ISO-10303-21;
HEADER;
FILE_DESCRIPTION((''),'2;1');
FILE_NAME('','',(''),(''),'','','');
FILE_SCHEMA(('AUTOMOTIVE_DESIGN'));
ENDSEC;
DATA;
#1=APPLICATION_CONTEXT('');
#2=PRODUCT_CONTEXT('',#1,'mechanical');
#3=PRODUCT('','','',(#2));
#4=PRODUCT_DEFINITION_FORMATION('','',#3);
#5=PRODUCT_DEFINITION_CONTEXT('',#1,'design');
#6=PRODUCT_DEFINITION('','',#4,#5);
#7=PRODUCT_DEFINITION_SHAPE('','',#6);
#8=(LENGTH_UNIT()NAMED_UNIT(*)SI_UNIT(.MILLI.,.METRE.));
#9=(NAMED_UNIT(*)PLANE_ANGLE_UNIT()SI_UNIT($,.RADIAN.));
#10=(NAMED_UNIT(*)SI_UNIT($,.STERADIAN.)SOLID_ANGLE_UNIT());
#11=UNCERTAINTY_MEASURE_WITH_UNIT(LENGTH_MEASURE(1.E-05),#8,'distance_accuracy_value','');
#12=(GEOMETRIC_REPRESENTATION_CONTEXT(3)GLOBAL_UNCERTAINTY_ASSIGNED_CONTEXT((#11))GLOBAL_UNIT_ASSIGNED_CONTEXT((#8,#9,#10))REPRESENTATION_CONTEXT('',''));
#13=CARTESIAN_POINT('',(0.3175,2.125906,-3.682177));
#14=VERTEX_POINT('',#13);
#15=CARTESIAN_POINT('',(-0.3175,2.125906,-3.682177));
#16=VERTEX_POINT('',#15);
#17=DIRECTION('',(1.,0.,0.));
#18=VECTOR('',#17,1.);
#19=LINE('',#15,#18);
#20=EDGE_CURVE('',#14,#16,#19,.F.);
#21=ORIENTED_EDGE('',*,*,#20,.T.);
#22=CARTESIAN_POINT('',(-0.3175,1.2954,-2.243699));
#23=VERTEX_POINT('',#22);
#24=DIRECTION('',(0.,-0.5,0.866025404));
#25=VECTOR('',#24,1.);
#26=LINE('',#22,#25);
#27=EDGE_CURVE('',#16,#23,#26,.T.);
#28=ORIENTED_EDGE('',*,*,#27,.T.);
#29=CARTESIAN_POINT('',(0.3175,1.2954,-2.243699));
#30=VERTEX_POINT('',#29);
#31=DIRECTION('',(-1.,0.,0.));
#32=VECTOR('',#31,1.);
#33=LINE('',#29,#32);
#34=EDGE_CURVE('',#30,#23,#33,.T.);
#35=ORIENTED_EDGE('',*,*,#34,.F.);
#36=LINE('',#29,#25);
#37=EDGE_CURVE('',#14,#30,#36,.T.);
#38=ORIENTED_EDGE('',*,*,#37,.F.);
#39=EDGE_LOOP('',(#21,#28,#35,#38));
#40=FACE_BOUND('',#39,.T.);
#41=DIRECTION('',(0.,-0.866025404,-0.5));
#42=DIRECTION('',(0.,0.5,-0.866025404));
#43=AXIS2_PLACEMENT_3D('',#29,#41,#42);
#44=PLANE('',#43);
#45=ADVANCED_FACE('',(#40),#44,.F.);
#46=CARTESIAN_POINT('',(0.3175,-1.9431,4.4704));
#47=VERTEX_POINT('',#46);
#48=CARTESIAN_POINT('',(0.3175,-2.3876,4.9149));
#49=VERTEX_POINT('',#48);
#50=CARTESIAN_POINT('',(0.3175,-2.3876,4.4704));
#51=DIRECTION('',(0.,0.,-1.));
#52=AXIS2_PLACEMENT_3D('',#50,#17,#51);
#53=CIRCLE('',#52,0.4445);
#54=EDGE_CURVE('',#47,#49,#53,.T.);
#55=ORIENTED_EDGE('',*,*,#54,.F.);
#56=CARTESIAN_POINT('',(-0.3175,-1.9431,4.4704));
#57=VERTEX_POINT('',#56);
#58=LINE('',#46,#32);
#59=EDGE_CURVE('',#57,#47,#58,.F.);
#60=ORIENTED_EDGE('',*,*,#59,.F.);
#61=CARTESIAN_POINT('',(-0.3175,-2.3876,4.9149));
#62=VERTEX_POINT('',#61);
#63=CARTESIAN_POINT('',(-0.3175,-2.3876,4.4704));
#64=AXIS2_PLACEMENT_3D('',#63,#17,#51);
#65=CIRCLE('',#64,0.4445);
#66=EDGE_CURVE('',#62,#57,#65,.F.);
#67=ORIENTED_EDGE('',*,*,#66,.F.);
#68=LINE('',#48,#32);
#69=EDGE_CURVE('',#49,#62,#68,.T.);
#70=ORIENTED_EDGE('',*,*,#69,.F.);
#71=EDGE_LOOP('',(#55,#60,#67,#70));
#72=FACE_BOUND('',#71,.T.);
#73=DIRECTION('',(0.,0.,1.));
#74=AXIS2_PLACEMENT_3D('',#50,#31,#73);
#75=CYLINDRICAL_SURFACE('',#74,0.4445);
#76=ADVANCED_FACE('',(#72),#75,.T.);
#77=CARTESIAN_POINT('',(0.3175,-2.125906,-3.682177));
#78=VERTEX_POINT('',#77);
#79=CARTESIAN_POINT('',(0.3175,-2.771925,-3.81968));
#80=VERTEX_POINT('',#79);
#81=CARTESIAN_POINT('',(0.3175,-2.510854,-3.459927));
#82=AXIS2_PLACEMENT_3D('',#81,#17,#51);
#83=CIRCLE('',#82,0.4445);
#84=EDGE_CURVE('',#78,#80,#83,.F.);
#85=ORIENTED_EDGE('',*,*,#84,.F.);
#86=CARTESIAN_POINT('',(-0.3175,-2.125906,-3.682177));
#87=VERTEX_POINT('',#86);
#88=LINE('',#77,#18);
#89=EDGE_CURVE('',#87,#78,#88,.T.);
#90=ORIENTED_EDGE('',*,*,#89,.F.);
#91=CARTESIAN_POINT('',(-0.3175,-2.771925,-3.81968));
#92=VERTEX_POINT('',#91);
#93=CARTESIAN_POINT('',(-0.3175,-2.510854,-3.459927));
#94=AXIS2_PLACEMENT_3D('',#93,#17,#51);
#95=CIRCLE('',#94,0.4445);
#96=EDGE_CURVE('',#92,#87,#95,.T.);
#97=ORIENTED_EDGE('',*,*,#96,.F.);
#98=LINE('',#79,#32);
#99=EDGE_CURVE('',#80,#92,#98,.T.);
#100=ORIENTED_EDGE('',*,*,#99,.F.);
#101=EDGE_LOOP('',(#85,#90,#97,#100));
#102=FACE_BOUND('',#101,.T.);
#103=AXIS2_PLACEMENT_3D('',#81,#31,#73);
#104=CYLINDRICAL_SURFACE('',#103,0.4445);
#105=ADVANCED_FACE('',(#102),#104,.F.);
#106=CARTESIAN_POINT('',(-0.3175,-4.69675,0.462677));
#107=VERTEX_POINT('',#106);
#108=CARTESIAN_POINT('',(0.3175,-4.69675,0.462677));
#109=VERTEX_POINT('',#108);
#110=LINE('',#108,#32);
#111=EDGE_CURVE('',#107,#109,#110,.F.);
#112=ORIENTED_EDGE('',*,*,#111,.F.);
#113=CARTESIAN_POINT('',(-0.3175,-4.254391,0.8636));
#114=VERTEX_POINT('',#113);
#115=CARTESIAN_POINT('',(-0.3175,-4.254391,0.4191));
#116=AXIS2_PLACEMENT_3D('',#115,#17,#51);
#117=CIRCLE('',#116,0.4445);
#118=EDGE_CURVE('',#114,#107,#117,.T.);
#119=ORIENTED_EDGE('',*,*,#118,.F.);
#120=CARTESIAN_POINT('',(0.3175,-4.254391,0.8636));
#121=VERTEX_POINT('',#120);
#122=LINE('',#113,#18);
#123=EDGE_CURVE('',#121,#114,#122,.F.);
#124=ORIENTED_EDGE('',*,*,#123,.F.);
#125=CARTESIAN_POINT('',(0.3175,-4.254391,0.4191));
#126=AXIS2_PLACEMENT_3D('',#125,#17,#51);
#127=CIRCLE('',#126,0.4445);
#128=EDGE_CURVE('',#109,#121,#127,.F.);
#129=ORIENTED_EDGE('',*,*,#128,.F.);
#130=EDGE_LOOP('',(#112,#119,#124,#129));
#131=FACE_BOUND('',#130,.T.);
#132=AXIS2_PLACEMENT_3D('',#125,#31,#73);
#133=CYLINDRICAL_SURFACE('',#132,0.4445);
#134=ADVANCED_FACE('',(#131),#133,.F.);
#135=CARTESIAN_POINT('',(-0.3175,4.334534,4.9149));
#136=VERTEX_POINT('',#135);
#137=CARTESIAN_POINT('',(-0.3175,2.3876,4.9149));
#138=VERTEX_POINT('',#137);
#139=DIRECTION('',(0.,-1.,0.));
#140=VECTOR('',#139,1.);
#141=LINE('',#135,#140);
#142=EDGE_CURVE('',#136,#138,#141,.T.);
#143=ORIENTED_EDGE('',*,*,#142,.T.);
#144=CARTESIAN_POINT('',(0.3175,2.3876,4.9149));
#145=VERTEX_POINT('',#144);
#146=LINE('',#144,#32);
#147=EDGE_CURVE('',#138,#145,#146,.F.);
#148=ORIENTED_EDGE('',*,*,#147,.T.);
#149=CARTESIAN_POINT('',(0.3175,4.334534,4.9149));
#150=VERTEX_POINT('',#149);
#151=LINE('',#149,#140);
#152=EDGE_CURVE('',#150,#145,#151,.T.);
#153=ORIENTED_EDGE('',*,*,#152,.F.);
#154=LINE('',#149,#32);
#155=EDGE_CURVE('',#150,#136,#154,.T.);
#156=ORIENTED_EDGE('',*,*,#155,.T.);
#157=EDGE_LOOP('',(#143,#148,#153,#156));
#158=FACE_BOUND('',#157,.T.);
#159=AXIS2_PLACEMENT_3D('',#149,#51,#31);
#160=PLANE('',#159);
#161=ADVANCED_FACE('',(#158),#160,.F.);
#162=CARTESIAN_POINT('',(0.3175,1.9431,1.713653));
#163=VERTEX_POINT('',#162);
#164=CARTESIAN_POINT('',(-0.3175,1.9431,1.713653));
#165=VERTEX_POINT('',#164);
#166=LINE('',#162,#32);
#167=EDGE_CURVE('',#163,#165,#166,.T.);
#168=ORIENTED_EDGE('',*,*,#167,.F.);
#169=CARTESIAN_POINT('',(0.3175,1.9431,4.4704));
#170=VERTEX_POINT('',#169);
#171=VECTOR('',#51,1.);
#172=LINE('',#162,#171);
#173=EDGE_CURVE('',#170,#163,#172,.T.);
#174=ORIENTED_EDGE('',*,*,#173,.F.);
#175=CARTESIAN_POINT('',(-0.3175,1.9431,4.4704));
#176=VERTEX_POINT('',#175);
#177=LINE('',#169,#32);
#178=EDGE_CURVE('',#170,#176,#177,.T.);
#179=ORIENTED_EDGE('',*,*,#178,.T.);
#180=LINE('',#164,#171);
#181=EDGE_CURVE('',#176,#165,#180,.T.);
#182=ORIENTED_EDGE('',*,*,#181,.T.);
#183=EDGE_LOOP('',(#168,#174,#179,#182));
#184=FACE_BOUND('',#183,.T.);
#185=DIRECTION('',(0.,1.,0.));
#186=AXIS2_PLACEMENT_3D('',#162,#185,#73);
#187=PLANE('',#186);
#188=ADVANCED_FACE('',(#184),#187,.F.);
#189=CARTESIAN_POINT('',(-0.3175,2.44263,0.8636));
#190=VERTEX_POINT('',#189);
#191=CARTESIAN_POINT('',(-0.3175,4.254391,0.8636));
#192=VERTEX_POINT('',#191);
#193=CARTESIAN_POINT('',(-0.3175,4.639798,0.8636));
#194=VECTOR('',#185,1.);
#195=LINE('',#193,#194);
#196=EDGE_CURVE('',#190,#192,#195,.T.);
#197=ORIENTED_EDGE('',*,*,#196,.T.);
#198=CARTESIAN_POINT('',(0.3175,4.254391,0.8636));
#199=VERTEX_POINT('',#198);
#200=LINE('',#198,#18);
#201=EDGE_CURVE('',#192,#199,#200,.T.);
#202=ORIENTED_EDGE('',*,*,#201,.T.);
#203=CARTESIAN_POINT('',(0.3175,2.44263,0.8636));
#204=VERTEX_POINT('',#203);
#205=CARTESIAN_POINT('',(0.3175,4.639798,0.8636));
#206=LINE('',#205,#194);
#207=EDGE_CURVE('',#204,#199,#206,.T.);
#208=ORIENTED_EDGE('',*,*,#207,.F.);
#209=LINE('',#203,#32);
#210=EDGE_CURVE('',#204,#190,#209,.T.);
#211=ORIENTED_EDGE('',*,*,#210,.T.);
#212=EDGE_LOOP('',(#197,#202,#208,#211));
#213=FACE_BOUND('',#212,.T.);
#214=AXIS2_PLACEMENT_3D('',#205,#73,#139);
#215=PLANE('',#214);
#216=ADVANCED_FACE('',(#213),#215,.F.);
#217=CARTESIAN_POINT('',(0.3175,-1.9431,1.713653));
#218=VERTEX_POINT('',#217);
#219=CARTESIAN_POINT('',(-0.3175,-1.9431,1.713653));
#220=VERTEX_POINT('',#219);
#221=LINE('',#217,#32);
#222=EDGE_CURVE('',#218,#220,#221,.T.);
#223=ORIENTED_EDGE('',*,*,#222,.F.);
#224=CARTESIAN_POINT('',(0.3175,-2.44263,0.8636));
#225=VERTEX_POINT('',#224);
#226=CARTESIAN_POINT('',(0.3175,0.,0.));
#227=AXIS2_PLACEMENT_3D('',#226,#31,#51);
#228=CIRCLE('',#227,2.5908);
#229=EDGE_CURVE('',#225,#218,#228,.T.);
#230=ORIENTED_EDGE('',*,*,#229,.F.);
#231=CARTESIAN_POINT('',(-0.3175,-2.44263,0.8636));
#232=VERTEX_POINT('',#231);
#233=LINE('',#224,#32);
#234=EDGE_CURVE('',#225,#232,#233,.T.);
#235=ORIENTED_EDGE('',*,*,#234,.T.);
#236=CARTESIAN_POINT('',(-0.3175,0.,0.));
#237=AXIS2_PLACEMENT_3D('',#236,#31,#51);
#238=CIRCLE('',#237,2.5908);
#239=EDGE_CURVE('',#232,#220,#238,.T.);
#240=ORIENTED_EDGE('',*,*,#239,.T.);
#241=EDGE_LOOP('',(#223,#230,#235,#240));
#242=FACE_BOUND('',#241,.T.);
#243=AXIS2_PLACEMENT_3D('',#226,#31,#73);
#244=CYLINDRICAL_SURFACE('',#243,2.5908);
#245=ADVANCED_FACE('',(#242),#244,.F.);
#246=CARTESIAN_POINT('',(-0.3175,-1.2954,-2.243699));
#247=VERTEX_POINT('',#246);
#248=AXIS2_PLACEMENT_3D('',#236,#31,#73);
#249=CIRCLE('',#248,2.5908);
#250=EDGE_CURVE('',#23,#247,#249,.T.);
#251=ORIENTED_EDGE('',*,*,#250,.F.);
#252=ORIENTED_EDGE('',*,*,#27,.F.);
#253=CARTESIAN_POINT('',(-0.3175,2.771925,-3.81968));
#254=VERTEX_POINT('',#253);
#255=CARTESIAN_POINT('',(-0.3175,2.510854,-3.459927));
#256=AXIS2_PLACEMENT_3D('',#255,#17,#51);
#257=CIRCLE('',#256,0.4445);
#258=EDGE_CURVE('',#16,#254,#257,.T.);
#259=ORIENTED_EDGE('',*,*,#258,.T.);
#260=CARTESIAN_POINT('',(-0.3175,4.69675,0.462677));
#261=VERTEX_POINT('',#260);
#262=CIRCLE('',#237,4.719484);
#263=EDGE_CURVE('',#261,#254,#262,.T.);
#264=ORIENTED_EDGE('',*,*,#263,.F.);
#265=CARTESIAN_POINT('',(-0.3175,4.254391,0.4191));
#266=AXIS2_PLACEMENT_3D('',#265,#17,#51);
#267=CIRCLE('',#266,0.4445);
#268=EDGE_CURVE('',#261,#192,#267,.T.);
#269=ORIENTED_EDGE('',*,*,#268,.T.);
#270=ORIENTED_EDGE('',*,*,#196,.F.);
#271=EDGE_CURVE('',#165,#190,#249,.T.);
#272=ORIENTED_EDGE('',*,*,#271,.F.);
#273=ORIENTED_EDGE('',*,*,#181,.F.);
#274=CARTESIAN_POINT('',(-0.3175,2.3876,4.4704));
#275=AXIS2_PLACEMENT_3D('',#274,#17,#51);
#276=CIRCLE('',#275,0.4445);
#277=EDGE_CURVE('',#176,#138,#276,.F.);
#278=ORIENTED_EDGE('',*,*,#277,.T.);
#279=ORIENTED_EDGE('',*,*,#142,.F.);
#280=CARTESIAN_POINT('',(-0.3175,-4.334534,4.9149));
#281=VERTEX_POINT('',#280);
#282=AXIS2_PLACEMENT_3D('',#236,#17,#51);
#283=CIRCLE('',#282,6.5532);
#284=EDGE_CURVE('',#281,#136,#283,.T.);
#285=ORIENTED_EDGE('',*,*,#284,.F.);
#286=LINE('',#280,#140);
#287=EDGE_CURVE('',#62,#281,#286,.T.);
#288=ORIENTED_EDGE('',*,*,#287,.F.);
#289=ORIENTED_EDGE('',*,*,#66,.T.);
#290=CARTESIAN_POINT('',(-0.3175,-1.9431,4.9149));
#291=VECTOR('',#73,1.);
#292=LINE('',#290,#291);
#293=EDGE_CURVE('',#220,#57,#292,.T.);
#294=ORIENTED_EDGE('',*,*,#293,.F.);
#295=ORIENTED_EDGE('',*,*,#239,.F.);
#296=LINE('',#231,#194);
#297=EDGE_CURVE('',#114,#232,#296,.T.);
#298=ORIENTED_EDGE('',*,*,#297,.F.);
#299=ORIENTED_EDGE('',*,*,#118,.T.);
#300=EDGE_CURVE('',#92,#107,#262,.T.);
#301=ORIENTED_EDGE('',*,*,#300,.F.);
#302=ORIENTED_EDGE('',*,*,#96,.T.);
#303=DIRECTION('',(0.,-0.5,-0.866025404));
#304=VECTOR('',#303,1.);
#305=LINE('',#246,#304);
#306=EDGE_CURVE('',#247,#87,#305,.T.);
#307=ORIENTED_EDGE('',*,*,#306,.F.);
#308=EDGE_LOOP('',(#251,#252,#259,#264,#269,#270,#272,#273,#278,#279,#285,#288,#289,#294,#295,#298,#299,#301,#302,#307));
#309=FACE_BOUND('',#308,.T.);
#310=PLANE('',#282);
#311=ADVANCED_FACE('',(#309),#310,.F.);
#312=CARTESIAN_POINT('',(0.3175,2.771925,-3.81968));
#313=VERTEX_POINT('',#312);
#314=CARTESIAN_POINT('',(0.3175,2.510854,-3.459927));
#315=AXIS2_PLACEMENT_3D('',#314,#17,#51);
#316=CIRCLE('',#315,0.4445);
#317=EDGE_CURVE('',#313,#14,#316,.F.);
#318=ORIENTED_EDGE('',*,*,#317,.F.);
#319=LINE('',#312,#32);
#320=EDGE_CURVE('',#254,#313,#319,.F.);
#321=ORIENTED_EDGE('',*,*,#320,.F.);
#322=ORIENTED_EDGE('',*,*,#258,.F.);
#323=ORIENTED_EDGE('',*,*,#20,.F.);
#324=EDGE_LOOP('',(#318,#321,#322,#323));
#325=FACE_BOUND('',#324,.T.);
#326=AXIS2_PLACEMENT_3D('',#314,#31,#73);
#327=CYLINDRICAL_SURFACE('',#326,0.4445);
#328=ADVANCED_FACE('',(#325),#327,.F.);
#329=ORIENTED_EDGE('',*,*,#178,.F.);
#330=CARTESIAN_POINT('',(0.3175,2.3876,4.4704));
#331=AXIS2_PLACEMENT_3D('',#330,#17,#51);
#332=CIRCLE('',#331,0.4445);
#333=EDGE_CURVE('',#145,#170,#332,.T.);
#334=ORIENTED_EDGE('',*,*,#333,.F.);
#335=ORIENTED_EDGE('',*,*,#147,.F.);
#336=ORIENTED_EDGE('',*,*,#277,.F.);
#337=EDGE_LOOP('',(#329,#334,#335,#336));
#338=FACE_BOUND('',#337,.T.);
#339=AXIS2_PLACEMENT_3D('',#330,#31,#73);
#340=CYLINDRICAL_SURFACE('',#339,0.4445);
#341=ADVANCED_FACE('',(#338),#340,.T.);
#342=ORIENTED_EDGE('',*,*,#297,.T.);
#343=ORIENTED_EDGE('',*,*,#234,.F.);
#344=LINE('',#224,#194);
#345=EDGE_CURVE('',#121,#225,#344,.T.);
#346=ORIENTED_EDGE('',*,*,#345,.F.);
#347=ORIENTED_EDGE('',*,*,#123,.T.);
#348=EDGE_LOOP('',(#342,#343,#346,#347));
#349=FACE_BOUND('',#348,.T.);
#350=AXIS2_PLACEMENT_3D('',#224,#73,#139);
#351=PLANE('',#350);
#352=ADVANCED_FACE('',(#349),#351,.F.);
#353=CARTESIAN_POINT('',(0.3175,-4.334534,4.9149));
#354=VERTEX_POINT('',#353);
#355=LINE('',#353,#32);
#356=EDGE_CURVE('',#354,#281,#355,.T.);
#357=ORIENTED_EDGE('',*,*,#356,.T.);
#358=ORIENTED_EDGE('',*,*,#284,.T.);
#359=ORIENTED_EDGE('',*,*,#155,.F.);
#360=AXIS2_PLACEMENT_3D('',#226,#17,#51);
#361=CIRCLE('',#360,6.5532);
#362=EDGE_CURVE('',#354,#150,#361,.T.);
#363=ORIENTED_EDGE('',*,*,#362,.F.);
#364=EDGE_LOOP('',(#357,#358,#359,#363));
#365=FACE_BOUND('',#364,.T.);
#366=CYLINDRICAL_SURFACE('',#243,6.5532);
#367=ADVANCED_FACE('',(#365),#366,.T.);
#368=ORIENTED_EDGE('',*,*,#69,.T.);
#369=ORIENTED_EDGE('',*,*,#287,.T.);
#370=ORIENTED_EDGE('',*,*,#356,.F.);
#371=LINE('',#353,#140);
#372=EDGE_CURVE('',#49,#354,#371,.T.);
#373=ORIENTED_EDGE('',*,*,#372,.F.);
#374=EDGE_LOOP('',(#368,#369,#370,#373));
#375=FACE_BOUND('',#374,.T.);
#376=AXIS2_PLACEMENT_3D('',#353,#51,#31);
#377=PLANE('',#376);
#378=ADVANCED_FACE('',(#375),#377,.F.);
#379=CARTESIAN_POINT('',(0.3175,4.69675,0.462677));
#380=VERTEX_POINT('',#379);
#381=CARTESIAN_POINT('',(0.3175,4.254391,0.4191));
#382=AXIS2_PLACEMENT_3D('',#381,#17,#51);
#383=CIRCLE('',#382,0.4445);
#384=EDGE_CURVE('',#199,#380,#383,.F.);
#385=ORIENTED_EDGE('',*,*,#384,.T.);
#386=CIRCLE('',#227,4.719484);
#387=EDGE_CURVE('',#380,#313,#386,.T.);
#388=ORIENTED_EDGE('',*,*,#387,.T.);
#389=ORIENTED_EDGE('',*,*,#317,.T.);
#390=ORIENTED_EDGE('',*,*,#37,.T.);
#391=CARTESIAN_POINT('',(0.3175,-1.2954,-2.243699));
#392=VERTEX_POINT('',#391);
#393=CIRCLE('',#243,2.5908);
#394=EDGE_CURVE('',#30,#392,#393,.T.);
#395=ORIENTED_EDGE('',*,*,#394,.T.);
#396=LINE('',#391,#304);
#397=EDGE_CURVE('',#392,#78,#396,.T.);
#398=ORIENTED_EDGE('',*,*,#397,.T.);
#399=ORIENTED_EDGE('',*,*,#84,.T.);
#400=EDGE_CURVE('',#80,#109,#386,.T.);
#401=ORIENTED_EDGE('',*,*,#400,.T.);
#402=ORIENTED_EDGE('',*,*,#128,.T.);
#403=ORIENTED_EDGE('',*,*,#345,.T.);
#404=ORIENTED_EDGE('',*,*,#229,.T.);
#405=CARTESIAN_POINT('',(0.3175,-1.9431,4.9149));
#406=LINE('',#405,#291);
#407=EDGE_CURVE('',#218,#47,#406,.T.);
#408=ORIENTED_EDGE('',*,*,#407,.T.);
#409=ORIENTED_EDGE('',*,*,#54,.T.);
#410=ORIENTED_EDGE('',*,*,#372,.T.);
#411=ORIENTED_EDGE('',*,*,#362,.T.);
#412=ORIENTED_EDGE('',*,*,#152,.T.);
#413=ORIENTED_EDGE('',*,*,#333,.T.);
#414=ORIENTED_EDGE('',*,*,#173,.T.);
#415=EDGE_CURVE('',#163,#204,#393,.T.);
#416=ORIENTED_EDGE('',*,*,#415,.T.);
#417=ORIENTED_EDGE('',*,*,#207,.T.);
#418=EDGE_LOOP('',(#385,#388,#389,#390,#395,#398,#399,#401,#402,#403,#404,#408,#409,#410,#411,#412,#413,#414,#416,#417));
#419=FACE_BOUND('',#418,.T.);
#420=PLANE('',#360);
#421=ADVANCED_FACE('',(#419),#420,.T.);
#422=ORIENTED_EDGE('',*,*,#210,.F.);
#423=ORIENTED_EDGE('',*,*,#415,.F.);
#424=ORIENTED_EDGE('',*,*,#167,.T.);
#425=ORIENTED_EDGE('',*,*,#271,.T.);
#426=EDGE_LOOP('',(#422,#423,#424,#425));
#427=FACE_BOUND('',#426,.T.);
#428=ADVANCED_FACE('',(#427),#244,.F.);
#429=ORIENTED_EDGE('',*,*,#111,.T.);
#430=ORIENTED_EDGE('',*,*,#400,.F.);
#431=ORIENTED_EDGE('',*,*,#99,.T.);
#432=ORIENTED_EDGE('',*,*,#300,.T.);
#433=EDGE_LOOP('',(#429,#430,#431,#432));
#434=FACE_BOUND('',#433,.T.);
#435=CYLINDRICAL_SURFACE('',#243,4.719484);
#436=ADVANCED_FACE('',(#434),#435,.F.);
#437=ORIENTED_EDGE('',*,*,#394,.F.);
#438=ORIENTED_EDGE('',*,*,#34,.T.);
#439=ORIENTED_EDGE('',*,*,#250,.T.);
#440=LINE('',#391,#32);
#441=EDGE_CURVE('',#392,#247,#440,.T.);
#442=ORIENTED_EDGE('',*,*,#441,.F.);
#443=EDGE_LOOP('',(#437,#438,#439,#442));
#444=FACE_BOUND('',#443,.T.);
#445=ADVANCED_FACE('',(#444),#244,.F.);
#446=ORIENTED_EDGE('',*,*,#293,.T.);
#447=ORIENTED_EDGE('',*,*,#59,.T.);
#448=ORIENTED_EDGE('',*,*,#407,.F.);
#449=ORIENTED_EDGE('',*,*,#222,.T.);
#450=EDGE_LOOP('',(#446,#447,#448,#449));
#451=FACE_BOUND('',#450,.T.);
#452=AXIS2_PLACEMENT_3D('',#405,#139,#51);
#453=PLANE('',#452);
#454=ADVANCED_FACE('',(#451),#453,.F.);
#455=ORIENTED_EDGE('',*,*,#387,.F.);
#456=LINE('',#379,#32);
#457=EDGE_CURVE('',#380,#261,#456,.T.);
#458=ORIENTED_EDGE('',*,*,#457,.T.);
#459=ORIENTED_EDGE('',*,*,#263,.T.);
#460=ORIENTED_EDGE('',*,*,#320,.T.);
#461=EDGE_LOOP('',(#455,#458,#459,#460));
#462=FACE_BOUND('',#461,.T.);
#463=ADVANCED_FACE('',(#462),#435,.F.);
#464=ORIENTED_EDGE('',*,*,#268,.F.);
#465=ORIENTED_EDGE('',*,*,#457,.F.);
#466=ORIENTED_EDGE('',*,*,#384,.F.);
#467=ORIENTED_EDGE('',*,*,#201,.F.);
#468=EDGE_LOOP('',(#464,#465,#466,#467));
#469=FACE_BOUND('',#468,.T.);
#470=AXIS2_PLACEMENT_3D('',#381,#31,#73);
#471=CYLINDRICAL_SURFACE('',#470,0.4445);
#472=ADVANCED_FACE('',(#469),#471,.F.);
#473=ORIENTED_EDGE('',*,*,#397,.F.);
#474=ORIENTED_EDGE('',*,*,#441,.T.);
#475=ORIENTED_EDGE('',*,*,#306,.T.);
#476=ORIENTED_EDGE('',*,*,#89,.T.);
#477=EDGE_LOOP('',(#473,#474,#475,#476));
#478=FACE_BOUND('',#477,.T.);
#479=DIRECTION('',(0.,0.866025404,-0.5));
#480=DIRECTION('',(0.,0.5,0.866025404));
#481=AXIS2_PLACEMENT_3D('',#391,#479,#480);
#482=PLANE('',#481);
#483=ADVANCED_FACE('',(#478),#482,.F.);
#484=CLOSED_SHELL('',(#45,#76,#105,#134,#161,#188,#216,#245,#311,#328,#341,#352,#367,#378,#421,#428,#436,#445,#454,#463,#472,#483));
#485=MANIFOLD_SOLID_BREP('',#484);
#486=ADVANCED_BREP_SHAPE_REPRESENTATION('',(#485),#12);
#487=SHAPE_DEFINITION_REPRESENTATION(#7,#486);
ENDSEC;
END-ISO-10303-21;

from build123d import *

# Parameters (mm, degrees)
EXTRUDE1_DEPTH = 0.3175
FILLET1_R      = 0.4445


with BuildPart() as part:
    # Sketch1 → Extrude1 (new body, symmetric)
    with BuildSketch(Plane(origin=(0, 0, 0), x_dir=(0, 0, -1), z_dir=(1, 0, 0))):
        with BuildLine():
            Line((-1.713653124, 1.9431), (-4.9149, 1.9431))
            Line((-4.9149, 1.9431), (-4.9149, 4.334534373))
            ThreePointArc((-4.9149, 4.334534373), (6.5532, 0), (-4.9149, -4.334534373))
            Line((-4.9149, -4.334534373), (-4.9149, -1.9431))
            Line((-4.9149, -1.9431), (-1.713653124, -1.9431))
            ThreePointArc((-1.713653124, -1.9431), (-1.312608429, -2.233674943), (-0.8636, -2.442629665))
            Line((-0.8636, -2.442629665), (-0.8636, -4.639797738))
            ThreePointArc((-0.8636, -4.639797738), (1.974221733, -4.286720956), (4.087192925, -2.359741935))
            Line((4.087192925, -2.359741935), (2.243698616, -1.2954))
            ThreePointArc((2.243698616, -1.2954), (2.5908, 0), (2.243698616, 1.2954))
            Line((2.243698616, 1.2954), (4.087192925, 2.359741935))
            ThreePointArc((4.087192925, 2.359741935), (1.974221733, 4.286720956), (-0.8636, 4.639797738))
            Line((-0.8636, 4.639797738), (-0.8636, 2.442629665))
            ThreePointArc((-0.8636, 2.442629665), (-1.312608429, 2.233674943), (-1.713653124, 1.9431))
        make_face()
    extrude(amount=EXTRUDE1_DEPTH, both=True)

    # Fillet1
    fillet1_edges = [part.edges().sort_by_distance(p)[0] for p in [
        (0, -1.9431, 4.9149),
        (0, -4.639797738, 0.8636),
        (0, -2.359741935, -4.087192925),
        (0, 2.359741935, -4.087192925),
        (0, 4.639797738, 0.8636),
        (0, 1.9431, 4.9149),
    ]]
    fillet(fillet1_edges, radius=FILLET1_R)


solid = part.part
